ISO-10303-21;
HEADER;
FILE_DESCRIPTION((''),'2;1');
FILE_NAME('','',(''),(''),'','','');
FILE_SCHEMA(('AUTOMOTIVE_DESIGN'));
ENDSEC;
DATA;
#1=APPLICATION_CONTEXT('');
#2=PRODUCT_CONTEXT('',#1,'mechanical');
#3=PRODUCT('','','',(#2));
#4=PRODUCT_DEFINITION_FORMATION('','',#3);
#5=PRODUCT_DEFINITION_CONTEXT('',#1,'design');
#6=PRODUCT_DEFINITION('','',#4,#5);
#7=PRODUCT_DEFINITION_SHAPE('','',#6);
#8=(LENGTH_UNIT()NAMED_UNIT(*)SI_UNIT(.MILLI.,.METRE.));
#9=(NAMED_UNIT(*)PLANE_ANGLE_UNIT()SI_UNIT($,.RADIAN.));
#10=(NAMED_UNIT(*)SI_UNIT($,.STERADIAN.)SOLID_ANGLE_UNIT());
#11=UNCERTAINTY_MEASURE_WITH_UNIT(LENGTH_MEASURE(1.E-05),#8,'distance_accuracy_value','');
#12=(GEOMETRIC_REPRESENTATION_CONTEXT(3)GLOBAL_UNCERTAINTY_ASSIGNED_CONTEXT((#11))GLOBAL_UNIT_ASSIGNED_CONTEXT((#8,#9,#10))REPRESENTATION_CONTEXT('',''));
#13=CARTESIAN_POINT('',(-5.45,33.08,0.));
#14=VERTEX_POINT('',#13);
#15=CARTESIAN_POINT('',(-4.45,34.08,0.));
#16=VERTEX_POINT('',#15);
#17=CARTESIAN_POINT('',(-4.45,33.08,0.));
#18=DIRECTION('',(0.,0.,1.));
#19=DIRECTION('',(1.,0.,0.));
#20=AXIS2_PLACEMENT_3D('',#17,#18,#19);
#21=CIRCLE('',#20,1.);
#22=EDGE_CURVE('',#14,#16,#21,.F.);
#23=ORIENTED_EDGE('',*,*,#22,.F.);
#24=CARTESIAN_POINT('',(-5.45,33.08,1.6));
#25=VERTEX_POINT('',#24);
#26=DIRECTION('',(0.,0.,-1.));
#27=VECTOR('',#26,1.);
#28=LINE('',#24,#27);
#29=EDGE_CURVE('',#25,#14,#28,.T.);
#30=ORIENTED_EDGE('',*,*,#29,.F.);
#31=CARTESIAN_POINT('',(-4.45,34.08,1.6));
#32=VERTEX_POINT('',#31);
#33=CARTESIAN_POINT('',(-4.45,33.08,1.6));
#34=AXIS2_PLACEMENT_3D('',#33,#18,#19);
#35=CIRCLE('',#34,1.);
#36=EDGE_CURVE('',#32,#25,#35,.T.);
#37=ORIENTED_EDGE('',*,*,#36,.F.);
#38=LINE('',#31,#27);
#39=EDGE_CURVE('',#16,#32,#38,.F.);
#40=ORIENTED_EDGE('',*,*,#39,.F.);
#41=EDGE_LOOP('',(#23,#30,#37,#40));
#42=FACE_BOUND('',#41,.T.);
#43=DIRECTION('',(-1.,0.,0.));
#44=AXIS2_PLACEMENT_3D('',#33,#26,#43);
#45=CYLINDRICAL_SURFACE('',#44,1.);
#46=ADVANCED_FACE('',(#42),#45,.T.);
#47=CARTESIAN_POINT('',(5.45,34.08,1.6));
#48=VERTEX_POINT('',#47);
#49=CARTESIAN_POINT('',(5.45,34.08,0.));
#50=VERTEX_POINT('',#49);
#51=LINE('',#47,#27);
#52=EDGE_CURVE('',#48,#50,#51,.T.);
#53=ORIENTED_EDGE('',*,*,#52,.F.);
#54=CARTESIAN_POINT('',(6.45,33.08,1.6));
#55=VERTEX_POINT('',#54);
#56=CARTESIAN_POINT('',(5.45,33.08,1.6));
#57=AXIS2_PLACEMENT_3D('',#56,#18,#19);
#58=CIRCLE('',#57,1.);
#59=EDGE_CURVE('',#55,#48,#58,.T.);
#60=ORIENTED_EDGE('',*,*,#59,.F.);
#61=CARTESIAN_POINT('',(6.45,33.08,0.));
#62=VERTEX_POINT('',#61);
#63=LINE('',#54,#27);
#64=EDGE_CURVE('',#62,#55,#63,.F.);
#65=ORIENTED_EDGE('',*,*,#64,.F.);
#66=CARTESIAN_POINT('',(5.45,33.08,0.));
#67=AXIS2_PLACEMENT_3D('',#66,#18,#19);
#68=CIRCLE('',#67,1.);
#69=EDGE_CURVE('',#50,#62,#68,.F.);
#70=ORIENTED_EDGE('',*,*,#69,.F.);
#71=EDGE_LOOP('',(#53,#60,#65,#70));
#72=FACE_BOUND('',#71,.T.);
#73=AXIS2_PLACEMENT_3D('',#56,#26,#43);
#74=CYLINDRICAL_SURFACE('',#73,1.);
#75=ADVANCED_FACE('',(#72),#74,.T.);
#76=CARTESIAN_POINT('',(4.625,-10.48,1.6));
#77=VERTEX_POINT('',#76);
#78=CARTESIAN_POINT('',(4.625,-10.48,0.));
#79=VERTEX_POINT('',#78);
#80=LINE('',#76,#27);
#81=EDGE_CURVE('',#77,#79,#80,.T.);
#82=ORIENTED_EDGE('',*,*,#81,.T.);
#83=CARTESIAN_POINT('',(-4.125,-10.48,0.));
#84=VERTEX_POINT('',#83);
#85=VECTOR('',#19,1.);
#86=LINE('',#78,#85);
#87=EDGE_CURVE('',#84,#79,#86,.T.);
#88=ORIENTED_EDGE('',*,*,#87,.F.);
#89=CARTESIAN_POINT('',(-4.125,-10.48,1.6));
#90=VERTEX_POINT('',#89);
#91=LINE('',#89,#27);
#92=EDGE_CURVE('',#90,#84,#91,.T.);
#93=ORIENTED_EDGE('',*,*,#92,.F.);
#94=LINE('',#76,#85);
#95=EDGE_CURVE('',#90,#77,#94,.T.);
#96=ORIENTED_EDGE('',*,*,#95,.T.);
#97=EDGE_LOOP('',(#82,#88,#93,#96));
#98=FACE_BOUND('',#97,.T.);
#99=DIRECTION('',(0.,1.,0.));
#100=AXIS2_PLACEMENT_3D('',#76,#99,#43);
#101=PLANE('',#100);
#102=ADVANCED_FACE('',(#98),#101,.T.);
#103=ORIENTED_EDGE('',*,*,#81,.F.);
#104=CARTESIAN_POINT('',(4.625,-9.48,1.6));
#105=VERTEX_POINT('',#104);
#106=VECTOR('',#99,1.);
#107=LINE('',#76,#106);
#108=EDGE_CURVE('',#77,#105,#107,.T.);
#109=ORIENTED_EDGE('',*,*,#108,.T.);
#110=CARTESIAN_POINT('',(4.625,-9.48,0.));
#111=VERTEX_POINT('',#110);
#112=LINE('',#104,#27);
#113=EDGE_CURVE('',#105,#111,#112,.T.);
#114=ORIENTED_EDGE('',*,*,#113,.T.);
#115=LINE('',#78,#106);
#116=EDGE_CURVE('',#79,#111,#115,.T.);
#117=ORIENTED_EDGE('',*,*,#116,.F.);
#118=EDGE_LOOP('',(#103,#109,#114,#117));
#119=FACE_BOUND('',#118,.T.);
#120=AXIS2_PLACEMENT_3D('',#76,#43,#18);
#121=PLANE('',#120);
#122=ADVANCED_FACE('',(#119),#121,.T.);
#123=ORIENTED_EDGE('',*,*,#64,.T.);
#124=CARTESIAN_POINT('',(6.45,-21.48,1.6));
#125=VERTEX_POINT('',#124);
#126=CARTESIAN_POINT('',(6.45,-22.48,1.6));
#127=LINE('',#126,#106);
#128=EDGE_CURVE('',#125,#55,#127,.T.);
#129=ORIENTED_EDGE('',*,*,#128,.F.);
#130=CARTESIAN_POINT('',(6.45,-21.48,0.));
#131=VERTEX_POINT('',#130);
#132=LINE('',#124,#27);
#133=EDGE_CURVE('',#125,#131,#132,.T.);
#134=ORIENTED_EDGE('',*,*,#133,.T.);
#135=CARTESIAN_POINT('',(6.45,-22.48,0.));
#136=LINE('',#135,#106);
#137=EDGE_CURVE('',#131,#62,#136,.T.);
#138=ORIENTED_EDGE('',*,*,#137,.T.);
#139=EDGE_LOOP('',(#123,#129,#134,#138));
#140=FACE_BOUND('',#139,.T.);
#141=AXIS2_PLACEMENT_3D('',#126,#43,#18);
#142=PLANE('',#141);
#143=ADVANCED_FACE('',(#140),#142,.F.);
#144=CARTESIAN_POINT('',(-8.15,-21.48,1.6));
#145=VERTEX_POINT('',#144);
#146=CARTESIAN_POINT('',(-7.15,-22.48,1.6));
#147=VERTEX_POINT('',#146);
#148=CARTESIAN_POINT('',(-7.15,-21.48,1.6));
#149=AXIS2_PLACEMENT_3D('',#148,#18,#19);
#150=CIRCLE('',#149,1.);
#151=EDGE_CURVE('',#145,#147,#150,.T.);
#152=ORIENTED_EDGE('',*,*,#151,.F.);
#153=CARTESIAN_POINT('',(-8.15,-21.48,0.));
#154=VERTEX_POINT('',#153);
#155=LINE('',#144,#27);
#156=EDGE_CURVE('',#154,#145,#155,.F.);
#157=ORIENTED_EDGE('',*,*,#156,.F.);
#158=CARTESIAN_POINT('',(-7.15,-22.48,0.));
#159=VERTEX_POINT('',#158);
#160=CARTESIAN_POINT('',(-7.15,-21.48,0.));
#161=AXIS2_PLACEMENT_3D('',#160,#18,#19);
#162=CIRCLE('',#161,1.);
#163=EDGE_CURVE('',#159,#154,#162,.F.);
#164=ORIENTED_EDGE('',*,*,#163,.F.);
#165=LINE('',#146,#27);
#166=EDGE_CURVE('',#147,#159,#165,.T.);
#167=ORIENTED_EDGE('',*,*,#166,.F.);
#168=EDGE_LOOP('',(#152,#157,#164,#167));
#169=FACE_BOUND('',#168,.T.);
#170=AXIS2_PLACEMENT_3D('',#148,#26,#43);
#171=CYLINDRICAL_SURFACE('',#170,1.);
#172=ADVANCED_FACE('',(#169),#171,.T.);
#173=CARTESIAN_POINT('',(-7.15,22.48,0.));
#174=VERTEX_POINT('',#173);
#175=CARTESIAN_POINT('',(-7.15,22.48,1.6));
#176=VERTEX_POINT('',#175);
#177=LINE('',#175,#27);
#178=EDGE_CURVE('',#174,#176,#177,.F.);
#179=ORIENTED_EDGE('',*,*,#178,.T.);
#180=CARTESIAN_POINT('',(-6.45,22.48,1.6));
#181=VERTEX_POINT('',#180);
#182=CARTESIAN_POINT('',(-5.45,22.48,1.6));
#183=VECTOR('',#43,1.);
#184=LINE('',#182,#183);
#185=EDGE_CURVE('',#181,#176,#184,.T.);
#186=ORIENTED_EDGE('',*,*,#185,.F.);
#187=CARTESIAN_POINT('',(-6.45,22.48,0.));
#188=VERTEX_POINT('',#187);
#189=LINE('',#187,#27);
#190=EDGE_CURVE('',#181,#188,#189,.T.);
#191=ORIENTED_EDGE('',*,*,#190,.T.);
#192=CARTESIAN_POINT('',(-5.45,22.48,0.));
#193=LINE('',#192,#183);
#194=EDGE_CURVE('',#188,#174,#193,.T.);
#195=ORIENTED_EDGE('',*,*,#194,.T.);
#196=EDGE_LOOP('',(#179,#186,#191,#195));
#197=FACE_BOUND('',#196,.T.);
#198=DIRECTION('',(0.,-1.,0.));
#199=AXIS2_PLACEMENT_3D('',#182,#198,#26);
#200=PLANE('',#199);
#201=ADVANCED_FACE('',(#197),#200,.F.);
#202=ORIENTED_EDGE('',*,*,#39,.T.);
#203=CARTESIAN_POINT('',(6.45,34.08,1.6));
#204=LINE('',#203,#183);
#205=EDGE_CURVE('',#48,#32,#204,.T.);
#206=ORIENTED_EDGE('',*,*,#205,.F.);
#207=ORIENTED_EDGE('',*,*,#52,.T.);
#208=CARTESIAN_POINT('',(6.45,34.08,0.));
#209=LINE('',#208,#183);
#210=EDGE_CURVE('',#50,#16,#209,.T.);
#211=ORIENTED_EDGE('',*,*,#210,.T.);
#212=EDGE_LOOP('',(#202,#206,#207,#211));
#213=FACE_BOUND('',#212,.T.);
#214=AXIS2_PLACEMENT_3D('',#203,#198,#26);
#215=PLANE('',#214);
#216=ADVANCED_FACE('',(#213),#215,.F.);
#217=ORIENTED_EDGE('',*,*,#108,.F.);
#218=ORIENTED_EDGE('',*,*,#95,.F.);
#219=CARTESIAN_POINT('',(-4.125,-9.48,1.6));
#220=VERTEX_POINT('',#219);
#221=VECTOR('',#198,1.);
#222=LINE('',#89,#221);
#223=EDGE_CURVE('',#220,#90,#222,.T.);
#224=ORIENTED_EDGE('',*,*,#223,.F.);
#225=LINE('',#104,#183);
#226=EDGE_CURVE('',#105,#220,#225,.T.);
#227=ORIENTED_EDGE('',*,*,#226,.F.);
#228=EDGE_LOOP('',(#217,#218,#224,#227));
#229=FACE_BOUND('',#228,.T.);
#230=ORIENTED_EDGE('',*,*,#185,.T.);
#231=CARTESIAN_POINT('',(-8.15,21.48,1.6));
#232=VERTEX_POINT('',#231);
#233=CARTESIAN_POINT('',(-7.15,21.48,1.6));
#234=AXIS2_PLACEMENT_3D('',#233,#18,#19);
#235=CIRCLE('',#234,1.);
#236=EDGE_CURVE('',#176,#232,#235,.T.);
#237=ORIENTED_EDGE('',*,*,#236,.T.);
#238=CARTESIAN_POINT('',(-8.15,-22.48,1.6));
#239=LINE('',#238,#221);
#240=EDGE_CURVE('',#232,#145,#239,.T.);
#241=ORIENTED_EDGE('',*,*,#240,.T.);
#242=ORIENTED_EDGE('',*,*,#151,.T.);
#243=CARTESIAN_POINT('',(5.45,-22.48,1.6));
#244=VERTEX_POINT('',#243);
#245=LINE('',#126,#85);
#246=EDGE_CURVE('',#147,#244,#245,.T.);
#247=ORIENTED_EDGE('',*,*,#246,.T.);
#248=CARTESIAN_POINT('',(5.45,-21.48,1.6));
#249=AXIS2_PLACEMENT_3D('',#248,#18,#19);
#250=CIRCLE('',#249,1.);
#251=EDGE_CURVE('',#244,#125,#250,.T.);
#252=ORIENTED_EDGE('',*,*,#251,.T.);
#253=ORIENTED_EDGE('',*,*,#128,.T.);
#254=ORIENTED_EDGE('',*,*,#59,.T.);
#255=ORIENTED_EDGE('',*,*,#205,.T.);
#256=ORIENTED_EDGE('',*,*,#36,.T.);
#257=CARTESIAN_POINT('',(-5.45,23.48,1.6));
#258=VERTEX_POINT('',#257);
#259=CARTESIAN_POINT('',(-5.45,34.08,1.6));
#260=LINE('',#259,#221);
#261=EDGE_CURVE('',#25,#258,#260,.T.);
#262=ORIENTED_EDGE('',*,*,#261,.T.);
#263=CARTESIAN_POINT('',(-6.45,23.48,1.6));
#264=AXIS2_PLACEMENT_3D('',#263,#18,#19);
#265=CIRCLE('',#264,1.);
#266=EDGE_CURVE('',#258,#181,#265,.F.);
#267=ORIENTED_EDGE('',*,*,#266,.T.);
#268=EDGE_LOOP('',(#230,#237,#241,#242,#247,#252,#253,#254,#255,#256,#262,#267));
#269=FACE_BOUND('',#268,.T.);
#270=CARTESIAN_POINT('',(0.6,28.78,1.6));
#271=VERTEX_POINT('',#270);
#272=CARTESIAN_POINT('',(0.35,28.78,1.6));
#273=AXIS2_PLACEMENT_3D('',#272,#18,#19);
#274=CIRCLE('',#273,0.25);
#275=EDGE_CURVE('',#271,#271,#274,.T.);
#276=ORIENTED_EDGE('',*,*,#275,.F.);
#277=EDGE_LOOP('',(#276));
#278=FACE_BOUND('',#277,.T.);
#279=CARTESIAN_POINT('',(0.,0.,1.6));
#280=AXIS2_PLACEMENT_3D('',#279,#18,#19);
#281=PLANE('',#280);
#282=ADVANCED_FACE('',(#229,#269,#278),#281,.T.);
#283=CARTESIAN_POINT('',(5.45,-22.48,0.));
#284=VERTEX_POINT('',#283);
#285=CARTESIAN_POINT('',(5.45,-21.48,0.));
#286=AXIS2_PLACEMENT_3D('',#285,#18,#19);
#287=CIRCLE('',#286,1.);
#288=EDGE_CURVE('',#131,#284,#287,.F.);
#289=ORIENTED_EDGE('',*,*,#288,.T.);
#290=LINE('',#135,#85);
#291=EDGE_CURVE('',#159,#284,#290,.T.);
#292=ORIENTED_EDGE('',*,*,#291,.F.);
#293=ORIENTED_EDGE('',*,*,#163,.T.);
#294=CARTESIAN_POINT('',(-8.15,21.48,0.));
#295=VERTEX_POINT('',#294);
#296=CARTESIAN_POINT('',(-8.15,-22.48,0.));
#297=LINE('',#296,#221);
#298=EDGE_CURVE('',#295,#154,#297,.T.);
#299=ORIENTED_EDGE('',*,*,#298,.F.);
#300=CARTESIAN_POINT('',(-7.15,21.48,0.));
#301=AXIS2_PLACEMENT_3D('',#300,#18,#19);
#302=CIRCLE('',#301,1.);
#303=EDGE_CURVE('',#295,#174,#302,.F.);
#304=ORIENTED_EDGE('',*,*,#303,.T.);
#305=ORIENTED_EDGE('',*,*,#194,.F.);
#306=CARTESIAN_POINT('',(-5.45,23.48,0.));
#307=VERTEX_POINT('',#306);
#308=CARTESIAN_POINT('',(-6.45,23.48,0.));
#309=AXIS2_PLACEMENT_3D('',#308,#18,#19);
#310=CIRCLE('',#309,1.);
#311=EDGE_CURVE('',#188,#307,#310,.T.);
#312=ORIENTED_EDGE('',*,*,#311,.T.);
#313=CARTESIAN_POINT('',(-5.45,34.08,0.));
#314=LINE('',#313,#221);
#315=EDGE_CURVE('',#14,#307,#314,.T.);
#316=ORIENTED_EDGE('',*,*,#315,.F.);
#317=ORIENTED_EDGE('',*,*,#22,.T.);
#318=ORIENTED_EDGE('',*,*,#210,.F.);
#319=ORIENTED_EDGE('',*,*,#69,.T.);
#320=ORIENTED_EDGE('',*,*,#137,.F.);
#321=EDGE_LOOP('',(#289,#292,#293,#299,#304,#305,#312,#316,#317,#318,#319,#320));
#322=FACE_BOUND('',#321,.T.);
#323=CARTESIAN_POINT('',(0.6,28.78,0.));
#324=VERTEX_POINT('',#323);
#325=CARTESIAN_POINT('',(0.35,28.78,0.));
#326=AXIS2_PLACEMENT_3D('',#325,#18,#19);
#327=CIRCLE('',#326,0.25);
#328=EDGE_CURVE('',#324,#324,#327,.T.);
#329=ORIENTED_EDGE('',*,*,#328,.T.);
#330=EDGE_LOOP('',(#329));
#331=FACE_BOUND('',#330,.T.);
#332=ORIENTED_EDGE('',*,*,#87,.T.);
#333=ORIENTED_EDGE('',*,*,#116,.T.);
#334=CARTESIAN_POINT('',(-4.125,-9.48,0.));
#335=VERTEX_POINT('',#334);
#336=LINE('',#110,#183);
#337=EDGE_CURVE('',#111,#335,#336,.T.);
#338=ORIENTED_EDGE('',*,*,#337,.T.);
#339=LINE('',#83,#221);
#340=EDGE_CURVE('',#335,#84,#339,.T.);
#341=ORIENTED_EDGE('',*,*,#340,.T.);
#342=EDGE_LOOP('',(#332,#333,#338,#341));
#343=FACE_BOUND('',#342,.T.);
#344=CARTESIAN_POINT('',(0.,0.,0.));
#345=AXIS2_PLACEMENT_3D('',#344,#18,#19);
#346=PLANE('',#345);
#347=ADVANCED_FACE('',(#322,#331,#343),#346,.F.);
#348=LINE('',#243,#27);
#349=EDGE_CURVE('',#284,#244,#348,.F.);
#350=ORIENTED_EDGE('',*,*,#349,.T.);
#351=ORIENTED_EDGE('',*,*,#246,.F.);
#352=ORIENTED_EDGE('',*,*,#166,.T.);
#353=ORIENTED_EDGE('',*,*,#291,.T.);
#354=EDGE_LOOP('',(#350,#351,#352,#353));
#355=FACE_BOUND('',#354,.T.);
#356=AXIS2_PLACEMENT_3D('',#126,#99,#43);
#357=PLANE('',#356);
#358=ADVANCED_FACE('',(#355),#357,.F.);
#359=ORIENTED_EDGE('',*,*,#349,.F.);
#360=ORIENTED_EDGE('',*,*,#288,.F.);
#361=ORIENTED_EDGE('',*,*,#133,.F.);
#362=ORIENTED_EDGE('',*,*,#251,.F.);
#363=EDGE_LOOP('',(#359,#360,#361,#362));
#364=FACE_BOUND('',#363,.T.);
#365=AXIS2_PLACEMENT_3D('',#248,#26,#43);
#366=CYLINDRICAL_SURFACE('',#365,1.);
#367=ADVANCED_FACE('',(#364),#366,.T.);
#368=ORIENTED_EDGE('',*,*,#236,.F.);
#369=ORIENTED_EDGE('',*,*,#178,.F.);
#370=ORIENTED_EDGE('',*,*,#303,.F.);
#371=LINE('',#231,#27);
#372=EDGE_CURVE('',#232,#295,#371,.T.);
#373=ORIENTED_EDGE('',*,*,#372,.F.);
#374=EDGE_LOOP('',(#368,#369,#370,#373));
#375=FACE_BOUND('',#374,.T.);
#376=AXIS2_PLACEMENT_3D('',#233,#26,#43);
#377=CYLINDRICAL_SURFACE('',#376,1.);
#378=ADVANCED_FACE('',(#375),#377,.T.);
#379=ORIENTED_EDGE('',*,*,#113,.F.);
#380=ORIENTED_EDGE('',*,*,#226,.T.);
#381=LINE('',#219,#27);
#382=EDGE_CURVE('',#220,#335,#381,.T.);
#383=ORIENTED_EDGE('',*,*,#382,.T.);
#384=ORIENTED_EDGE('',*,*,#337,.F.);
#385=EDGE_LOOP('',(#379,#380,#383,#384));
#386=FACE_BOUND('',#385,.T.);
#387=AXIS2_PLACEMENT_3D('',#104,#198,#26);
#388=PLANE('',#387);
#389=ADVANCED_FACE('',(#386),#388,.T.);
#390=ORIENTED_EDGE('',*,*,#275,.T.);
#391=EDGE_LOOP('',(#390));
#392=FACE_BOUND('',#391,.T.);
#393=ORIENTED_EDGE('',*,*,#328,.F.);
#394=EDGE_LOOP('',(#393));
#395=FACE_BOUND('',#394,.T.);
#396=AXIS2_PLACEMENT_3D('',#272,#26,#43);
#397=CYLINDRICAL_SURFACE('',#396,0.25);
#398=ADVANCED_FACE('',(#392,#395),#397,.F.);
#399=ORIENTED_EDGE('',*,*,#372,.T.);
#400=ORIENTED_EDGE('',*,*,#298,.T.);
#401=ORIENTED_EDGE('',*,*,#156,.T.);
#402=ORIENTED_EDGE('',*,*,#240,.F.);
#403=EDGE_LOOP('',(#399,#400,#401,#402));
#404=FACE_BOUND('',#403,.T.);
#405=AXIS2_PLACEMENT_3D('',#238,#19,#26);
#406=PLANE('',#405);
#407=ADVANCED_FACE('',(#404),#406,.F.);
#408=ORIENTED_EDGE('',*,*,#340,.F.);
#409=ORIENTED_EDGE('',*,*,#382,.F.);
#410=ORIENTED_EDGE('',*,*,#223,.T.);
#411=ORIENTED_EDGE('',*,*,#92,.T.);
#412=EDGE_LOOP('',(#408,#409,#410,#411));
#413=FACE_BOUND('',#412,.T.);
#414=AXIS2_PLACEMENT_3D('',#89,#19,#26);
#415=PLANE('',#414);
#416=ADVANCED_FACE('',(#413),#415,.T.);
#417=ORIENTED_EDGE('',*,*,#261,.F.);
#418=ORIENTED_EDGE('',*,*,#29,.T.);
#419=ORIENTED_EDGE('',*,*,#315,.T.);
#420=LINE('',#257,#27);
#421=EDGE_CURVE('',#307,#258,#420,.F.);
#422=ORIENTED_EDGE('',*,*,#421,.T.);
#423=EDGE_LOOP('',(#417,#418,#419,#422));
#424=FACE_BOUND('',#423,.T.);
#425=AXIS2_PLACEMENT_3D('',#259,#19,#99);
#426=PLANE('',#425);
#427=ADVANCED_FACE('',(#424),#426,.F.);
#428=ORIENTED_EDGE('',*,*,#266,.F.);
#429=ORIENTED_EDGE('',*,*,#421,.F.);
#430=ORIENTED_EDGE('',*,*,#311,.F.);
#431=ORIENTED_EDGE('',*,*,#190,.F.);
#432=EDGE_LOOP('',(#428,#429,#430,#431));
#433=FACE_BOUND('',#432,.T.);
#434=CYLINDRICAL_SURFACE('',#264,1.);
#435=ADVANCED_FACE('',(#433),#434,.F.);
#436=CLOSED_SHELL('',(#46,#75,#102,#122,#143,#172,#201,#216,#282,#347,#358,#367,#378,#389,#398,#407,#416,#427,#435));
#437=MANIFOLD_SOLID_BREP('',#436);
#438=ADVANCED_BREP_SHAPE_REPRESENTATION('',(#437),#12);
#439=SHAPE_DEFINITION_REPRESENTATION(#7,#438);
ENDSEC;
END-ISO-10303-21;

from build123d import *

# Parameters (mm, degrees)
SKETCH_2_W          = 14.6
SKETCH_2_H          = 56.56
SKETCH_2_R          = 0.25
SKETCH_2_W_2        = 8.75
SKETCH_2_H_2        = 1
EXTRUDE_1_DEPTH     = 1.6
SKETCH_3_W          = 2.7
SKETCH_3_H          = 11.6
CUT_EXTRUDE_1_DEPTH = 1.6
FILLET_2_R          = 1


with BuildPart() as part:
    # 草图2 → 凸台-拉伸1 (new body)
    with BuildSketch(Plane.XY):
        with Locations((-0.85, 5.8)):
            Rectangle(SKETCH_2_W, SKETCH_2_H)
        with Locations((0.35, 28.78)):
            Circle(SKETCH_2_R, mode=Mode.SUBTRACT)
        with Locations((0.25, -9.98)):
            Rectangle(SKETCH_2_W_2, SKETCH_2_H_2, mode=Mode.SUBTRACT)
    extrude(amount=EXTRUDE_1_DEPTH)

    # 草图3 → 切除-拉伸1 (cut)
    with BuildSketch(Plane(origin=(0, 0, 0), x_dir=(-1, 0, 0), z_dir=(0, 0, -1))):
        with Locations((6.8, 28.28)):
            Rectangle(SKETCH_3_W, SKETCH_3_H)
    extrude(amount=-CUT_EXTRUDE_1_DEPTH, mode=Mode.SUBTRACT)

    # 圆角2
    fillet_2_edges = [part.edges().sort_by_distance(p)[0] for p in [
        (-5.45, 22.48, 0.8),
        (-5.45, 34.08, 0.8),
        (-8.15, 22.48, 0.8),
        (6.45, -22.48, 0.8),
        (-8.15, -22.48, 0.8),
        (6.45, 34.08, 0.8),
    ]]
    fillet(fillet_2_edges, radius=FILLET_2_R)


solid = part.part
